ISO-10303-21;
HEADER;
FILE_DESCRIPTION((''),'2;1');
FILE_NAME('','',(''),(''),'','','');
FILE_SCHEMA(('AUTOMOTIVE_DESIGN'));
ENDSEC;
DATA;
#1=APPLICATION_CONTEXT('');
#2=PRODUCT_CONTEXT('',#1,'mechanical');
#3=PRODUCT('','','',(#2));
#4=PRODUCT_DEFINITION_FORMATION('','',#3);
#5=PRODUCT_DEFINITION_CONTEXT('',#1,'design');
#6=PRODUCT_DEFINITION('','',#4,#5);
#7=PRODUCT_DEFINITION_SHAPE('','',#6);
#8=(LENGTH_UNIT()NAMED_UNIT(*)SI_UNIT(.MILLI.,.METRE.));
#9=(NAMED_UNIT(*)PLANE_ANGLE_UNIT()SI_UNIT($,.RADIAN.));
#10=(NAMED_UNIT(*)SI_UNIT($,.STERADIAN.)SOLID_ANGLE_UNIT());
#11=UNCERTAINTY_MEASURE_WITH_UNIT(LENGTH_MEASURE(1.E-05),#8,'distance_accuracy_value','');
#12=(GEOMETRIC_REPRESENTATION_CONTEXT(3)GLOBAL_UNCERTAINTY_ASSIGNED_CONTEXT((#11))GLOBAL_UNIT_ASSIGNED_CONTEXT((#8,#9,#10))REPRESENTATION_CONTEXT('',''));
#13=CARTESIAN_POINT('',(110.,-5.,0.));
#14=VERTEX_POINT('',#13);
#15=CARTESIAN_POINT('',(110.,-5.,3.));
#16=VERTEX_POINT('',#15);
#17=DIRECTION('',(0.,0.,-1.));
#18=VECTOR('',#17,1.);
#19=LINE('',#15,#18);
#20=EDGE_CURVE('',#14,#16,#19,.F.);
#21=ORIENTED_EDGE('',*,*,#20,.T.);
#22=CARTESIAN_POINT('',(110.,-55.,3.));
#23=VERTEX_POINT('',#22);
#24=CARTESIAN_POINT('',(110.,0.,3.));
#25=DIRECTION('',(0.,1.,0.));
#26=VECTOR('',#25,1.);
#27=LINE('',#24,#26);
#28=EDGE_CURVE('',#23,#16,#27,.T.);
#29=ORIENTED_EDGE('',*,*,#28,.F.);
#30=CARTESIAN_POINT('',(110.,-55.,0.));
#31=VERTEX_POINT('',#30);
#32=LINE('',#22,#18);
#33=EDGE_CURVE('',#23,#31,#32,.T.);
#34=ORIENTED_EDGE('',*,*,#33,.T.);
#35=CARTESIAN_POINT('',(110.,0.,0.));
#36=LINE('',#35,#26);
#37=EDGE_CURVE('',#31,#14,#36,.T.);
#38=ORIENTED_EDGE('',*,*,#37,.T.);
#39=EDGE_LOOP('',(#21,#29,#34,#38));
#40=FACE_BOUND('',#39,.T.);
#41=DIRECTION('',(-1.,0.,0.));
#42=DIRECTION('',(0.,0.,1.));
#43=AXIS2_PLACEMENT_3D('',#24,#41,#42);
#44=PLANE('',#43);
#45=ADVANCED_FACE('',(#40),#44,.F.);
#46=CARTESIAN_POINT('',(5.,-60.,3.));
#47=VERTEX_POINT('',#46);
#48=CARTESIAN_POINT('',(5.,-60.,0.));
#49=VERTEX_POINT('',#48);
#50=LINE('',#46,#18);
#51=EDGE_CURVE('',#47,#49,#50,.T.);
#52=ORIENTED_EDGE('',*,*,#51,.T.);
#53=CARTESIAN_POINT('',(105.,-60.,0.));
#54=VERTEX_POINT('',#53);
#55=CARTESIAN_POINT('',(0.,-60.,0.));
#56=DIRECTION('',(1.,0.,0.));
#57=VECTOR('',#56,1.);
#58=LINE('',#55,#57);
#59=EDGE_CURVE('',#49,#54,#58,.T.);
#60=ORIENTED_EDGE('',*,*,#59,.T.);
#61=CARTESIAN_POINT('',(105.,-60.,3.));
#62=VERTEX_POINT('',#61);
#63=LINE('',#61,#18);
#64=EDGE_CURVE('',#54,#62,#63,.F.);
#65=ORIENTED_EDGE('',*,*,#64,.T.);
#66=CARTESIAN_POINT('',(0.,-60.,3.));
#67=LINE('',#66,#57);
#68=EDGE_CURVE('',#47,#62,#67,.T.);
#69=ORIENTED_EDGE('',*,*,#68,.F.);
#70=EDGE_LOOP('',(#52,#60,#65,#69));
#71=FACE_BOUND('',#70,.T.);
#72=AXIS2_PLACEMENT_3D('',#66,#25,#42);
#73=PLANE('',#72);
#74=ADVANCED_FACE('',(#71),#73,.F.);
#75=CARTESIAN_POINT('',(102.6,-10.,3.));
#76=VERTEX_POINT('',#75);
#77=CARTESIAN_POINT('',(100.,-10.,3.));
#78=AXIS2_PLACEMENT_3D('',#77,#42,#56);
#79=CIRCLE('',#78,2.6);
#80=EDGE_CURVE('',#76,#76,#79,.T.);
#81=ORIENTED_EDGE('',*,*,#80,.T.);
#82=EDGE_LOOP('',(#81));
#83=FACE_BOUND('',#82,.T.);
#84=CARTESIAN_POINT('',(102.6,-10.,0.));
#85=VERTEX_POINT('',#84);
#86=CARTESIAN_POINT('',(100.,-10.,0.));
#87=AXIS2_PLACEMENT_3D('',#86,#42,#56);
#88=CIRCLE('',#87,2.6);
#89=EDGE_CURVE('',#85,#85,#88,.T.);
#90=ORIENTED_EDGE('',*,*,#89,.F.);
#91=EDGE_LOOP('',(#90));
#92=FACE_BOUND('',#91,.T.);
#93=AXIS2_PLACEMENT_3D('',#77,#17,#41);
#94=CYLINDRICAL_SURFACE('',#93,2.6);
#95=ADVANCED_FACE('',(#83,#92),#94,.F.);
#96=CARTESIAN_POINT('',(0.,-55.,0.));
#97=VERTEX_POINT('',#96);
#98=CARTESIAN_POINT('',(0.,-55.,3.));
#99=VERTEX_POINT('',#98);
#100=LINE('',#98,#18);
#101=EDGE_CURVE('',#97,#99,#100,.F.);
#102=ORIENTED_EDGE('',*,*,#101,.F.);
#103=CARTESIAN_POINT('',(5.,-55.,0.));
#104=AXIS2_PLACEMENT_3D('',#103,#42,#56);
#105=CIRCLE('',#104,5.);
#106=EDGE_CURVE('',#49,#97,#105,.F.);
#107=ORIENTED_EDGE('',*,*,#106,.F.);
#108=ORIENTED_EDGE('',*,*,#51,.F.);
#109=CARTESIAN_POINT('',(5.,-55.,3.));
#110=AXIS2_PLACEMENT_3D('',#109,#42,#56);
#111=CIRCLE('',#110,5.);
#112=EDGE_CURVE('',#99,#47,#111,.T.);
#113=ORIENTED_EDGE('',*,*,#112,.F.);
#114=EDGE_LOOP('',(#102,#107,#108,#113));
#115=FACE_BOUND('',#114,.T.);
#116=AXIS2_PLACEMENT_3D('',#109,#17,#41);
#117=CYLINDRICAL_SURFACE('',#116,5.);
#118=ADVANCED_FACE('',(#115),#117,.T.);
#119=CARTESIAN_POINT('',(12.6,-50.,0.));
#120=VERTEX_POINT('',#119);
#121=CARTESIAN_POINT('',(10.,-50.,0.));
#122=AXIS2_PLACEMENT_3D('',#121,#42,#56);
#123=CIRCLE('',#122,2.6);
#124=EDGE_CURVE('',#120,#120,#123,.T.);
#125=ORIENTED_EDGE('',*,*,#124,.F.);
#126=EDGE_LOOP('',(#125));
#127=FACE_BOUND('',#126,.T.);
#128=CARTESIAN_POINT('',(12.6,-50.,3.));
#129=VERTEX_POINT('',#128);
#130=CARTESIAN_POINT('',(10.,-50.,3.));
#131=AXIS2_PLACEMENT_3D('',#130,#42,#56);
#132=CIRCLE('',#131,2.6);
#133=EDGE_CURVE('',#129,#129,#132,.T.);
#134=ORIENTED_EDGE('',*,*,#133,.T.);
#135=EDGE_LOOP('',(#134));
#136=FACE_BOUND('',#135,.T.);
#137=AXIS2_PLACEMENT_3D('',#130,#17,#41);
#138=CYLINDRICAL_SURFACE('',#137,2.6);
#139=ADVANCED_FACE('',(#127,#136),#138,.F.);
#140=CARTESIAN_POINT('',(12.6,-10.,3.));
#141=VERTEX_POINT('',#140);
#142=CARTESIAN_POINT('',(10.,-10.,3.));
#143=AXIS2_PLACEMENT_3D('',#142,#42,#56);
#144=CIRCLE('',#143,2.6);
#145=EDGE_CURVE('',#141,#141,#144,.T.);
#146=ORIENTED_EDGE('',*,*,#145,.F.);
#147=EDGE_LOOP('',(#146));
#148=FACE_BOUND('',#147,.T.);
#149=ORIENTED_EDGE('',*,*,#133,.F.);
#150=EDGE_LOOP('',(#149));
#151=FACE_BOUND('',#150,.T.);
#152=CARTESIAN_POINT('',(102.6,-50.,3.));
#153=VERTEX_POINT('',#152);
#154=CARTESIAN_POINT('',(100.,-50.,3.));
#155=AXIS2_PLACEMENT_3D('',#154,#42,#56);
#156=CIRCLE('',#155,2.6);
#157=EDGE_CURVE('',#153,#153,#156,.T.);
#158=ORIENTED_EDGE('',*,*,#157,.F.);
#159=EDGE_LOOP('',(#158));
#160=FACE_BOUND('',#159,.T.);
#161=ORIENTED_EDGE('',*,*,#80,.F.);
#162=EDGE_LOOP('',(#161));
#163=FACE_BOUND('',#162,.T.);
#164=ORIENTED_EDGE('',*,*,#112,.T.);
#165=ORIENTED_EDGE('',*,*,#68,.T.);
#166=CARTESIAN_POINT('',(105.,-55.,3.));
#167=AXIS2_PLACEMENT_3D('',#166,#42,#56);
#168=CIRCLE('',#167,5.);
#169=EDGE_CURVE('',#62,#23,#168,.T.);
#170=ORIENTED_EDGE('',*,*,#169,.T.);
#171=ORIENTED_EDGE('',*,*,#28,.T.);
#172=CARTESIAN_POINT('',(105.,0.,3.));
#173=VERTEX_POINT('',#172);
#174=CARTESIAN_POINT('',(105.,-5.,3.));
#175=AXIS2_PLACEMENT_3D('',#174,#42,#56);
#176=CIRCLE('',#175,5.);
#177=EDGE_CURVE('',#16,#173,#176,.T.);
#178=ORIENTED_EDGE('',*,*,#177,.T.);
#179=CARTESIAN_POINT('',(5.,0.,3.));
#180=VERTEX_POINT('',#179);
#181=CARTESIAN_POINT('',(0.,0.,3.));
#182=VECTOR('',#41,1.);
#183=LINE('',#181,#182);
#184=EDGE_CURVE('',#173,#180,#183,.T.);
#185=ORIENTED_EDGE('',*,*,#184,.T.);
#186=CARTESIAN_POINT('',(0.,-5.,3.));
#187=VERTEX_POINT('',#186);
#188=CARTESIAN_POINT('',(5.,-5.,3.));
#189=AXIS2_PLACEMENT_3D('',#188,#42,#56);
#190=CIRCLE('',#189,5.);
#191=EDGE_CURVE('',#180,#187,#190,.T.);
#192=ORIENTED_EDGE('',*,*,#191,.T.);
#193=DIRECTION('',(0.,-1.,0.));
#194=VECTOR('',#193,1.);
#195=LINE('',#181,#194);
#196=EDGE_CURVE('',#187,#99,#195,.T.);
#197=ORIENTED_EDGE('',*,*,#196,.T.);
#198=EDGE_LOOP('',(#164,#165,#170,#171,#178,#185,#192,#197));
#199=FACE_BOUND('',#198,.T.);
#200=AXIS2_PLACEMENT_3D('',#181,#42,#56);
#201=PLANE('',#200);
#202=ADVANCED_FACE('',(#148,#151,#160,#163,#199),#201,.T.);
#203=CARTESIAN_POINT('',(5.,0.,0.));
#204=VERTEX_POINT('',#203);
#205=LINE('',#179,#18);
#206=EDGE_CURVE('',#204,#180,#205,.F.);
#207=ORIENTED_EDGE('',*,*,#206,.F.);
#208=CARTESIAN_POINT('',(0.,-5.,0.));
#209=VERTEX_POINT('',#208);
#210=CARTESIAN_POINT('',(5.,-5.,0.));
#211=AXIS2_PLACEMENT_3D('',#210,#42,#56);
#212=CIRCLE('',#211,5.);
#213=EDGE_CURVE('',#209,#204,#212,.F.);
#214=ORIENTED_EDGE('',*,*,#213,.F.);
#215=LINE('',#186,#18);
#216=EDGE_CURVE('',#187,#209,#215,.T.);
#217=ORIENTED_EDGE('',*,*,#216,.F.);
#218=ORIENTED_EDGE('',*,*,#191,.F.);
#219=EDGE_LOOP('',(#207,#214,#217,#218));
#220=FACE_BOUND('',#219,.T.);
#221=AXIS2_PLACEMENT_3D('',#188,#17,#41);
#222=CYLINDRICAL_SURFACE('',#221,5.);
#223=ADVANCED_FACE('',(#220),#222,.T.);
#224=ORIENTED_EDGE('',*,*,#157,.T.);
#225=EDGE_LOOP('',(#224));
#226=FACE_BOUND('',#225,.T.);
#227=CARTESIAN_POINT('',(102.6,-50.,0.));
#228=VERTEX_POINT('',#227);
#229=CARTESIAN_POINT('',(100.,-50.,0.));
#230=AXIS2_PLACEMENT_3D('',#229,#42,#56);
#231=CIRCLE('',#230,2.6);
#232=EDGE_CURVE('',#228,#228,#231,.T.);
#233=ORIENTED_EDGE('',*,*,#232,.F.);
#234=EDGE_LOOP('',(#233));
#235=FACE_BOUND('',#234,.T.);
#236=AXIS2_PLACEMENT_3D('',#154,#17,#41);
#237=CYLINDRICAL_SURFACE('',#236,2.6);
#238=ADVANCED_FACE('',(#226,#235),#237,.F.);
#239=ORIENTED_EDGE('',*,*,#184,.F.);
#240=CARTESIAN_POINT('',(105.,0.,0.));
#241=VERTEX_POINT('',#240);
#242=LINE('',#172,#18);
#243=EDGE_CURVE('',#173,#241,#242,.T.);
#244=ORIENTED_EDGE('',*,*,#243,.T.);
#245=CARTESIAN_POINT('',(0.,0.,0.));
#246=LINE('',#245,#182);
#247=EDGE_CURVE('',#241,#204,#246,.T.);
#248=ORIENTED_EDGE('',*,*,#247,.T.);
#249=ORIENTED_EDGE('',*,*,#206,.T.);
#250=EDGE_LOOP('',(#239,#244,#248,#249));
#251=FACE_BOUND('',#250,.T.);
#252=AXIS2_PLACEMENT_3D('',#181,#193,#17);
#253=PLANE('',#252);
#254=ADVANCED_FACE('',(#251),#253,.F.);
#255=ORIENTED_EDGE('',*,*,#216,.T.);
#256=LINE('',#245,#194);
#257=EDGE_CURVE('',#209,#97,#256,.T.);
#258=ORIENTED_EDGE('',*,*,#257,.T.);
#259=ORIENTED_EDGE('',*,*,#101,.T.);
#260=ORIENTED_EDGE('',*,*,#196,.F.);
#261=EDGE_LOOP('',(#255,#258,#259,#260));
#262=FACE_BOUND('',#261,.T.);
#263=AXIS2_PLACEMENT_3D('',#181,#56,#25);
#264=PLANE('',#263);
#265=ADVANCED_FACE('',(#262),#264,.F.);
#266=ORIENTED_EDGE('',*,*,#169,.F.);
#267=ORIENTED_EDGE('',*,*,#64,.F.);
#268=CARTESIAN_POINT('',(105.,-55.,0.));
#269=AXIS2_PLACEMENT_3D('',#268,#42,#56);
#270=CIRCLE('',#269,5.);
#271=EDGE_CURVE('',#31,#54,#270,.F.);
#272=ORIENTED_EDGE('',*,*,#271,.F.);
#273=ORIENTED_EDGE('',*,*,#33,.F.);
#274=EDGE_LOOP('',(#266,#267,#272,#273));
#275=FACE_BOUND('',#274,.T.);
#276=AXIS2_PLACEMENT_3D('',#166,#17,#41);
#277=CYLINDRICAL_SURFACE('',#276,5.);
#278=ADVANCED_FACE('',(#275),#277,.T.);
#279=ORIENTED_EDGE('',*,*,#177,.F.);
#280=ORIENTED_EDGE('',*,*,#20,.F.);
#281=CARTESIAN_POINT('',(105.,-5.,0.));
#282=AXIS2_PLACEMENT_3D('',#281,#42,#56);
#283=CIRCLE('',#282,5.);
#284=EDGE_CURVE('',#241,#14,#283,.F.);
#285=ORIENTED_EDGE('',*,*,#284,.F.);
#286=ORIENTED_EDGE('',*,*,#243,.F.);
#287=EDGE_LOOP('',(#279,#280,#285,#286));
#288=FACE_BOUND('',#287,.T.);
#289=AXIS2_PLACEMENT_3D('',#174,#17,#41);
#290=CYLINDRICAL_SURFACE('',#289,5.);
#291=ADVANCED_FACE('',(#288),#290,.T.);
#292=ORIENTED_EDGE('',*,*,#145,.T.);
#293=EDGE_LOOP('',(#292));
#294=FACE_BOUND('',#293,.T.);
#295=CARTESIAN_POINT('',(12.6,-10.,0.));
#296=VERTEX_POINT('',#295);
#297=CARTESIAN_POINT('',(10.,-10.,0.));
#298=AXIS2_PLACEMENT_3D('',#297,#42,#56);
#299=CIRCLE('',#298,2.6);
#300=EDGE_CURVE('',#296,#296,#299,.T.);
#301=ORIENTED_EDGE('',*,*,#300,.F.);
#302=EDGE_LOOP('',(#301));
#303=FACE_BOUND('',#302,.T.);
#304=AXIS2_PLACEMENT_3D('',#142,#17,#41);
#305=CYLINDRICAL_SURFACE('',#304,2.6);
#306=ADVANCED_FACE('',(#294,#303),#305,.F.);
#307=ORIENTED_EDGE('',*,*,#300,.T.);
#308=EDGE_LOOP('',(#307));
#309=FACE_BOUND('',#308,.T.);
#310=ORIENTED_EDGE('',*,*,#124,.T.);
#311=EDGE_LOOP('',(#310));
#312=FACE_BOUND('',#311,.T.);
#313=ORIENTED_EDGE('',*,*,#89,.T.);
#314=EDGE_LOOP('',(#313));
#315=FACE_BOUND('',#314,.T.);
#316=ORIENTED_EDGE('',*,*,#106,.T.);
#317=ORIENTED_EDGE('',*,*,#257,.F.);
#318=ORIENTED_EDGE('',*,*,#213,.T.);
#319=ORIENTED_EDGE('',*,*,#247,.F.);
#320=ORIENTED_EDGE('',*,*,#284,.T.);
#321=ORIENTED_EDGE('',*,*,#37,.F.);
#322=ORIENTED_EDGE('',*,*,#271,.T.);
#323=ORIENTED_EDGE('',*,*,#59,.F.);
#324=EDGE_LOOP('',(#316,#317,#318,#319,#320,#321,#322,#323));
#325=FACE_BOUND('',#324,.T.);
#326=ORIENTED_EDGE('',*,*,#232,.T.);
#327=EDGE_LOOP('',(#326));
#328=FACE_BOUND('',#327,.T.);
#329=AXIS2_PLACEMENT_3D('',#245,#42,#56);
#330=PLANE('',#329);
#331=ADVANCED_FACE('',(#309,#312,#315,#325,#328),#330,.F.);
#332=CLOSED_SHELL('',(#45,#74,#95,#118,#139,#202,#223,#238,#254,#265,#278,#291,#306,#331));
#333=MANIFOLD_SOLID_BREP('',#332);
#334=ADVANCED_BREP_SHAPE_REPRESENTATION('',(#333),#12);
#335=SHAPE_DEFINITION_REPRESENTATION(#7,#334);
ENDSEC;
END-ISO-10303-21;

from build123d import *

# Parameters (mm, degrees)
SKETCH_2_W      = 110
SKETCH_2_H      = 60
SKETCH_2_R      = 2.6
EXTRUDE_1_DEPTH = 3
FILLET_1_R      = 5


with BuildPart() as part:
    # ｽｹｯﾁ2 → ﾎﾞｽ - 押し出し1 (new body)
    with BuildSketch(Plane.XY):
        with Locations((55, -30)):
            Rectangle(SKETCH_2_W, SKETCH_2_H)
        with Locations((10, -10)):
            Circle(SKETCH_2_R, mode=Mode.SUBTRACT)
        with Locations((100, -10)):
            Circle(SKETCH_2_R, mode=Mode.SUBTRACT)
        with Locations((10, -50)):
            Circle(SKETCH_2_R, mode=Mode.SUBTRACT)
        with Locations((100, -50)):
            Circle(SKETCH_2_R, mode=Mode.SUBTRACT)
    extrude(amount=EXTRUDE_1_DEPTH)

    # ﾌｨﾚｯﾄ1
    fillet_1_edges = [part.edges().sort_by_distance(p)[0] for p in [
        (0, 0, 1.5),
        (110, 0, 1.5),
        (110, -60, 1.5),
        (0, -60, 1.5),
    ]]
    fillet(fillet_1_edges, radius=FILLET_1_R)


solid = part.part
